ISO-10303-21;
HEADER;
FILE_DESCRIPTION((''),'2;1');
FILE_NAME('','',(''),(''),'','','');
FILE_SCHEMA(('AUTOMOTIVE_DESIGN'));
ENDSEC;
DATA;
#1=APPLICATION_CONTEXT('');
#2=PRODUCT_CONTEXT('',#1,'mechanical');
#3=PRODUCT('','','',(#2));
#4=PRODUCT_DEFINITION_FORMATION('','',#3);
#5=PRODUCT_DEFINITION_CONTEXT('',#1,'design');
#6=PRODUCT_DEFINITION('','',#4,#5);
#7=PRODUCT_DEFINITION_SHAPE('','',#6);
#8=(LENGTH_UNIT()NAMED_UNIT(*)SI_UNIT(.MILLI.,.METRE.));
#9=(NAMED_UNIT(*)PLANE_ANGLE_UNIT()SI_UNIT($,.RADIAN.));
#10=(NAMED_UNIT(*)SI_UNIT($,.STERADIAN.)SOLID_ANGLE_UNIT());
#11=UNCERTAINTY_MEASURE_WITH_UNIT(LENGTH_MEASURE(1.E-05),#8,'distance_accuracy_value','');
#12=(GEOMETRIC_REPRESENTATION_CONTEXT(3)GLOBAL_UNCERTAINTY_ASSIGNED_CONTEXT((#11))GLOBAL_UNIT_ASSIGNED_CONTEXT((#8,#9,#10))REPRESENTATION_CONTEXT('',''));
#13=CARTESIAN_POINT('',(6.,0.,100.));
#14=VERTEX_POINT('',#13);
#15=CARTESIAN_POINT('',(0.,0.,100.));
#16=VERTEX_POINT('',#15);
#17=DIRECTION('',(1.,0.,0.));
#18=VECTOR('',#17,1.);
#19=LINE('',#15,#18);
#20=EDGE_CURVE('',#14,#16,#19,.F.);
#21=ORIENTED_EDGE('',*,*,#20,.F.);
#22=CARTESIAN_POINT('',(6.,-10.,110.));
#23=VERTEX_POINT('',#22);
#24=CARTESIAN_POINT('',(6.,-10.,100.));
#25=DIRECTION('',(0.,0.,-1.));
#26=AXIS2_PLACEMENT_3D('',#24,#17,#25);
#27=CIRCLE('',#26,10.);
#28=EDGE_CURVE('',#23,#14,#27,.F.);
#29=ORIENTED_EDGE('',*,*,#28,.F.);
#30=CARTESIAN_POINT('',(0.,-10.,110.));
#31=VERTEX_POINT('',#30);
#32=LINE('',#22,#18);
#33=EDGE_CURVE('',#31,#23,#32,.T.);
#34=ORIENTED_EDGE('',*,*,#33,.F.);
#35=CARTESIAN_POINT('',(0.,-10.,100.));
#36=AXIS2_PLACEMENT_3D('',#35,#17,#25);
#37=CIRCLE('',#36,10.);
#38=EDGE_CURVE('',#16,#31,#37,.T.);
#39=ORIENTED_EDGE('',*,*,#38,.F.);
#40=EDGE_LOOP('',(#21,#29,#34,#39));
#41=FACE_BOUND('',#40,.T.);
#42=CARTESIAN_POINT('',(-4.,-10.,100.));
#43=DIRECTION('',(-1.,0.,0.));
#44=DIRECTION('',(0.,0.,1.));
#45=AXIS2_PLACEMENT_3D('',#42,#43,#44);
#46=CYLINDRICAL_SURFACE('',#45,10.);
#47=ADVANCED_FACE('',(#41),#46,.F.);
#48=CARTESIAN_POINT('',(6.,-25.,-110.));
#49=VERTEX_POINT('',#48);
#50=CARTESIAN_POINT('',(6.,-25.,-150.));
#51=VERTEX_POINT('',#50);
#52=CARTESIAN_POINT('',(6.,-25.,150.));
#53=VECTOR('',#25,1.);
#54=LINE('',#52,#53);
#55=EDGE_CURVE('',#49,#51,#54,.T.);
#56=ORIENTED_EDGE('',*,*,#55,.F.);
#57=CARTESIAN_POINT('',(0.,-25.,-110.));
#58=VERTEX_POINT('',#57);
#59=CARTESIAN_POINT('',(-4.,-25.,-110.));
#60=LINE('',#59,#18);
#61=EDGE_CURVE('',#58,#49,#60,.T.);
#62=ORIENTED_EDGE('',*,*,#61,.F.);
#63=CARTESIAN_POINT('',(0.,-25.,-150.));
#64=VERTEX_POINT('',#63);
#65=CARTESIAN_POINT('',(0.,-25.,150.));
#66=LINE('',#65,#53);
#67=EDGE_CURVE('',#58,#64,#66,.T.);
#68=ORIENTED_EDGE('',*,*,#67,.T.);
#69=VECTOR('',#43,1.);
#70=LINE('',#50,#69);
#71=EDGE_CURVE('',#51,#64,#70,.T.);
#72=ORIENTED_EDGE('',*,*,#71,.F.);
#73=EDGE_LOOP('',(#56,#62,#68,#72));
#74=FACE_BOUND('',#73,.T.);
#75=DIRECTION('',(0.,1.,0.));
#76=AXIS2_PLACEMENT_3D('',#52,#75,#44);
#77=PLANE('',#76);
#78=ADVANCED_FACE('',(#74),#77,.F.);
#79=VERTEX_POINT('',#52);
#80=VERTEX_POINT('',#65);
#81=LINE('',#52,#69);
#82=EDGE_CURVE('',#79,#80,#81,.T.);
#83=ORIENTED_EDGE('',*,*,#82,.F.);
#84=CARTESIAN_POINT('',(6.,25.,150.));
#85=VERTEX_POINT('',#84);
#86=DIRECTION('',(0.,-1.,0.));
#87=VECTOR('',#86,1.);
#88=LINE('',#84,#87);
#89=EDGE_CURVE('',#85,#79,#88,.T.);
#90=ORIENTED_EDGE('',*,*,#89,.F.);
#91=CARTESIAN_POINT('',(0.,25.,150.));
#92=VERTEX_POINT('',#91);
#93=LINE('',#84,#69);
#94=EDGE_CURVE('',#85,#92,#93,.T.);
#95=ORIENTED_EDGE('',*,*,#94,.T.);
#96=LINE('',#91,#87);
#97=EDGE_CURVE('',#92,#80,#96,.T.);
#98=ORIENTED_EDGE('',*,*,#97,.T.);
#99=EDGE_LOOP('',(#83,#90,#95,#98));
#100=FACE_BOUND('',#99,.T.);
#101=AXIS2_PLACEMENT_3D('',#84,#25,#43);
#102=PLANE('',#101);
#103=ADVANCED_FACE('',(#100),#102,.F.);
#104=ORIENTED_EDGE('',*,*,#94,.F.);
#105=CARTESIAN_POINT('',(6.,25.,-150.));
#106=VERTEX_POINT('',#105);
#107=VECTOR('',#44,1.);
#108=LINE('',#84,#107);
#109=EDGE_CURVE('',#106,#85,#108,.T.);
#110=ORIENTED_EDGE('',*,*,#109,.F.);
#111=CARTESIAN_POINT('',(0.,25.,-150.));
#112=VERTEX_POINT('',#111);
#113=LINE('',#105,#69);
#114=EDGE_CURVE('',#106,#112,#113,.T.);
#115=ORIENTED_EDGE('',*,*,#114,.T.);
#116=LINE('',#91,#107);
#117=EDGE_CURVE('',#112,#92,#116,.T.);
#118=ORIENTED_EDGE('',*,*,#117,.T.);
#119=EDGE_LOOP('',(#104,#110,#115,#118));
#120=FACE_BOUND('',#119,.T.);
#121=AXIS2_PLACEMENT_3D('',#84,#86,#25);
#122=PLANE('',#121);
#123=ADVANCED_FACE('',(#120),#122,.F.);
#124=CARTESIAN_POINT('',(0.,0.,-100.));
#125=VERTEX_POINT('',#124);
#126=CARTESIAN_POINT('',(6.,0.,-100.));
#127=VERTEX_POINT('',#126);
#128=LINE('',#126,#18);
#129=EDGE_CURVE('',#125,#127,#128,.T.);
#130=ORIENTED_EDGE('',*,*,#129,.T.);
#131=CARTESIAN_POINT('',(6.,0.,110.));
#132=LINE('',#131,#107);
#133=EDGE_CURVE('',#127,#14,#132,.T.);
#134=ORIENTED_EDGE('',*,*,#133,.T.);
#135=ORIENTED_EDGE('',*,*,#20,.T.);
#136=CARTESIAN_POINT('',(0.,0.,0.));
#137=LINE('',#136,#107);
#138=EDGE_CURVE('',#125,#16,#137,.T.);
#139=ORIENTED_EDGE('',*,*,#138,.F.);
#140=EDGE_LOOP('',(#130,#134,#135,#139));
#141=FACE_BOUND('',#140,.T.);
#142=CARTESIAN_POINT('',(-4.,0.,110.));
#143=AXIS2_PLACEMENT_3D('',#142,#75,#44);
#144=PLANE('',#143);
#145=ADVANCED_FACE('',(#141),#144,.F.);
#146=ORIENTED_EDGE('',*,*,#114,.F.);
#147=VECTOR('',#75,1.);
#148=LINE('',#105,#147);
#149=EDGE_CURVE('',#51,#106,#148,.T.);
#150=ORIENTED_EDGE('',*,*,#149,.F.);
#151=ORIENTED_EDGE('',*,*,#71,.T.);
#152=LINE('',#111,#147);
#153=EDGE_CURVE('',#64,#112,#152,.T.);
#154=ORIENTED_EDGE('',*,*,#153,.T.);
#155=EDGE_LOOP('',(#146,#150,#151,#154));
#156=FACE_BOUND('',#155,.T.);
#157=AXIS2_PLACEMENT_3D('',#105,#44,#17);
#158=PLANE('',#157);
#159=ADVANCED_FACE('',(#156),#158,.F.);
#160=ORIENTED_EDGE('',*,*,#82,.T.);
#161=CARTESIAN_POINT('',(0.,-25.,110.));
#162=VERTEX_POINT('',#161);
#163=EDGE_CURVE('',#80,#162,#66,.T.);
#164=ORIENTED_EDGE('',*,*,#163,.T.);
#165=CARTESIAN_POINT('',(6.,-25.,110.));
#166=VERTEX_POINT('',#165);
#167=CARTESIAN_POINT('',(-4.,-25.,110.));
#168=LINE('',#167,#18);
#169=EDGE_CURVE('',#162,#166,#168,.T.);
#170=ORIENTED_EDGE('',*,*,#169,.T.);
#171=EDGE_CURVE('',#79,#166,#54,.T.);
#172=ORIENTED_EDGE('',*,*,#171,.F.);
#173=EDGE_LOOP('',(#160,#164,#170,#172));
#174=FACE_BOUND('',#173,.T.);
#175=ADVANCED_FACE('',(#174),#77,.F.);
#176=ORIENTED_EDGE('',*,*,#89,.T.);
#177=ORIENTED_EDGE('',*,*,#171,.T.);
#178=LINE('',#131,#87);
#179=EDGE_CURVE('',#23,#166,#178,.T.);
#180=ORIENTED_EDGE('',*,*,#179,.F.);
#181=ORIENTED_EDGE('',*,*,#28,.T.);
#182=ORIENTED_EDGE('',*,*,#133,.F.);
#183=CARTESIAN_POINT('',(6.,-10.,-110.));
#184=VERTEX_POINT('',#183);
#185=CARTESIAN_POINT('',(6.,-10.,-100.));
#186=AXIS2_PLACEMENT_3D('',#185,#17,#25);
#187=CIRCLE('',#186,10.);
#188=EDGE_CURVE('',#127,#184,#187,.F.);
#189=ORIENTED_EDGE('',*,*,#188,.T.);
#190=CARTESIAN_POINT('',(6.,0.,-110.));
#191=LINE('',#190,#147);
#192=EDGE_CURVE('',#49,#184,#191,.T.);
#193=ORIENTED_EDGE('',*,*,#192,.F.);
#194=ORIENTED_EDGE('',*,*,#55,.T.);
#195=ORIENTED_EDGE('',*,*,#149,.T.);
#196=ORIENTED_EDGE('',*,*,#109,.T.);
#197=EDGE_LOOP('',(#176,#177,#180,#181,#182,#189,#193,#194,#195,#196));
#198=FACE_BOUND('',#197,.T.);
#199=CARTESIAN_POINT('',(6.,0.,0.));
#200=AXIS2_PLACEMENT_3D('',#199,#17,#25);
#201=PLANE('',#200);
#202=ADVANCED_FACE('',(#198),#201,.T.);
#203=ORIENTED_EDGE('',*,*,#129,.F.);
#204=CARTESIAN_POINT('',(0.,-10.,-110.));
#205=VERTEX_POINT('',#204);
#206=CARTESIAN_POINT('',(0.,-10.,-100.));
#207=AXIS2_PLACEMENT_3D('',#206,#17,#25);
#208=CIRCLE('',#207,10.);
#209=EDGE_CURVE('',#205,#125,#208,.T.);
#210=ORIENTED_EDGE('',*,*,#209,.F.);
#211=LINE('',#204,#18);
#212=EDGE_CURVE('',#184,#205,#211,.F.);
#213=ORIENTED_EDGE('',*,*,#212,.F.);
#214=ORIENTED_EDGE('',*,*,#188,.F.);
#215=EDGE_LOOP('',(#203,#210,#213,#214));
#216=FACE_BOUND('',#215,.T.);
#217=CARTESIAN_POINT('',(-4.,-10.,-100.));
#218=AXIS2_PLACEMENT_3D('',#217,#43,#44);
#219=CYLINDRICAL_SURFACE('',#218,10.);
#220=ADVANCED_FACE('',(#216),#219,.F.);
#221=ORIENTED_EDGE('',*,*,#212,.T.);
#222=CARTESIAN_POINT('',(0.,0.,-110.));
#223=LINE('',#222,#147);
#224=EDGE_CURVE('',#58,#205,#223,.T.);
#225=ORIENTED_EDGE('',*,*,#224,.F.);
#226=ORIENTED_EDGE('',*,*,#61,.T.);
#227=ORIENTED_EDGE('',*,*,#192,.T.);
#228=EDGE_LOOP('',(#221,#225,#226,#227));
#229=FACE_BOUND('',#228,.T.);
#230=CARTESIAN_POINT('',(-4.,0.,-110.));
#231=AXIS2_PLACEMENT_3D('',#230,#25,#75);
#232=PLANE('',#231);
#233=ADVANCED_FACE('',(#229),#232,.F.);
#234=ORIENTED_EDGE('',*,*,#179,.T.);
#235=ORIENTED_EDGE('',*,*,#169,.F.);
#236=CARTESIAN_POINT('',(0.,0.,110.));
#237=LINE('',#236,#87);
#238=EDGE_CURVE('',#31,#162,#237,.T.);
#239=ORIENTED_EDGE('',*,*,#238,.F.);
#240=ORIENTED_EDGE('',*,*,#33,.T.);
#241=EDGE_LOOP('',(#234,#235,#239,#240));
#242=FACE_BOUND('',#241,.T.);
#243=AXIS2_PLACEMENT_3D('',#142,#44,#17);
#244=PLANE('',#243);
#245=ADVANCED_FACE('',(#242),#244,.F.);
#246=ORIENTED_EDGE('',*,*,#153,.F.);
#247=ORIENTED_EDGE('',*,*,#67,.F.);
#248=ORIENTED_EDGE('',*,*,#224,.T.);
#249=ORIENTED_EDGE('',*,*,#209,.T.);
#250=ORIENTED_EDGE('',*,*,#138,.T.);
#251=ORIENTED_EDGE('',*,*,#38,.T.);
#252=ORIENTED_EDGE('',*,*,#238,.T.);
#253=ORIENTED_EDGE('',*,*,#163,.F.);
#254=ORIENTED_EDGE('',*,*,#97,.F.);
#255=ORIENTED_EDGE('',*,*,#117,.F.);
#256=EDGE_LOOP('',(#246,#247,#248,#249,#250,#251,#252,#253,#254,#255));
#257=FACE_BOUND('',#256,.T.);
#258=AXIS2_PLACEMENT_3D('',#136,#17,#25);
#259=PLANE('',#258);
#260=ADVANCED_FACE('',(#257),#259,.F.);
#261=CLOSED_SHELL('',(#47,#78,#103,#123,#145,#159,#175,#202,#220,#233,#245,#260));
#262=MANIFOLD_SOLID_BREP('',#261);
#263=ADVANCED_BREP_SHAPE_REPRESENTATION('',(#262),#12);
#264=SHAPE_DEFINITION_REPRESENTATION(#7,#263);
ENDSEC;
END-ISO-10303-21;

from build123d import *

# Parameters (mm, degrees)
SKETCH1_W           = 300
SKETCH1_H           = 50
BOSS_EXTRUDE1_DEPTH = 6
SKETCH2_W           = 220
SKETCH2_H           = 25
CUT_EXTRUDE1_DEPTH  = 10
FILLET1_R           = 10


with BuildPart() as part:
    # Sketch1 → Boss-Extrude1 (new body)
    with BuildSketch(Plane(origin=(0, 0, 0), x_dir=(0, 0, -1), z_dir=(1, 0, 0))):
        Rectangle(SKETCH1_W, SKETCH1_H)
    extrude(amount=BOSS_EXTRUDE1_DEPTH)

    # Sketch2 → Cut-Extrude1 (cut)
    with BuildSketch(Plane(origin=(6, 0, 0), x_dir=(0, 0, -1), z_dir=(1, 0, 0))):
        with Locations((0, -12.5)):
            Rectangle(SKETCH2_W, SKETCH2_H)
    extrude(amount=-CUT_EXTRUDE1_DEPTH, mode=Mode.SUBTRACT)

    # Fillet1
    fillet1_edges = [part.edges().sort_by_distance(p)[0] for p in [
        (3, 0, 110),
        (3, 0, -110),
    ]]
    fillet(fillet1_edges, radius=FILLET1_R)


solid = part.part
